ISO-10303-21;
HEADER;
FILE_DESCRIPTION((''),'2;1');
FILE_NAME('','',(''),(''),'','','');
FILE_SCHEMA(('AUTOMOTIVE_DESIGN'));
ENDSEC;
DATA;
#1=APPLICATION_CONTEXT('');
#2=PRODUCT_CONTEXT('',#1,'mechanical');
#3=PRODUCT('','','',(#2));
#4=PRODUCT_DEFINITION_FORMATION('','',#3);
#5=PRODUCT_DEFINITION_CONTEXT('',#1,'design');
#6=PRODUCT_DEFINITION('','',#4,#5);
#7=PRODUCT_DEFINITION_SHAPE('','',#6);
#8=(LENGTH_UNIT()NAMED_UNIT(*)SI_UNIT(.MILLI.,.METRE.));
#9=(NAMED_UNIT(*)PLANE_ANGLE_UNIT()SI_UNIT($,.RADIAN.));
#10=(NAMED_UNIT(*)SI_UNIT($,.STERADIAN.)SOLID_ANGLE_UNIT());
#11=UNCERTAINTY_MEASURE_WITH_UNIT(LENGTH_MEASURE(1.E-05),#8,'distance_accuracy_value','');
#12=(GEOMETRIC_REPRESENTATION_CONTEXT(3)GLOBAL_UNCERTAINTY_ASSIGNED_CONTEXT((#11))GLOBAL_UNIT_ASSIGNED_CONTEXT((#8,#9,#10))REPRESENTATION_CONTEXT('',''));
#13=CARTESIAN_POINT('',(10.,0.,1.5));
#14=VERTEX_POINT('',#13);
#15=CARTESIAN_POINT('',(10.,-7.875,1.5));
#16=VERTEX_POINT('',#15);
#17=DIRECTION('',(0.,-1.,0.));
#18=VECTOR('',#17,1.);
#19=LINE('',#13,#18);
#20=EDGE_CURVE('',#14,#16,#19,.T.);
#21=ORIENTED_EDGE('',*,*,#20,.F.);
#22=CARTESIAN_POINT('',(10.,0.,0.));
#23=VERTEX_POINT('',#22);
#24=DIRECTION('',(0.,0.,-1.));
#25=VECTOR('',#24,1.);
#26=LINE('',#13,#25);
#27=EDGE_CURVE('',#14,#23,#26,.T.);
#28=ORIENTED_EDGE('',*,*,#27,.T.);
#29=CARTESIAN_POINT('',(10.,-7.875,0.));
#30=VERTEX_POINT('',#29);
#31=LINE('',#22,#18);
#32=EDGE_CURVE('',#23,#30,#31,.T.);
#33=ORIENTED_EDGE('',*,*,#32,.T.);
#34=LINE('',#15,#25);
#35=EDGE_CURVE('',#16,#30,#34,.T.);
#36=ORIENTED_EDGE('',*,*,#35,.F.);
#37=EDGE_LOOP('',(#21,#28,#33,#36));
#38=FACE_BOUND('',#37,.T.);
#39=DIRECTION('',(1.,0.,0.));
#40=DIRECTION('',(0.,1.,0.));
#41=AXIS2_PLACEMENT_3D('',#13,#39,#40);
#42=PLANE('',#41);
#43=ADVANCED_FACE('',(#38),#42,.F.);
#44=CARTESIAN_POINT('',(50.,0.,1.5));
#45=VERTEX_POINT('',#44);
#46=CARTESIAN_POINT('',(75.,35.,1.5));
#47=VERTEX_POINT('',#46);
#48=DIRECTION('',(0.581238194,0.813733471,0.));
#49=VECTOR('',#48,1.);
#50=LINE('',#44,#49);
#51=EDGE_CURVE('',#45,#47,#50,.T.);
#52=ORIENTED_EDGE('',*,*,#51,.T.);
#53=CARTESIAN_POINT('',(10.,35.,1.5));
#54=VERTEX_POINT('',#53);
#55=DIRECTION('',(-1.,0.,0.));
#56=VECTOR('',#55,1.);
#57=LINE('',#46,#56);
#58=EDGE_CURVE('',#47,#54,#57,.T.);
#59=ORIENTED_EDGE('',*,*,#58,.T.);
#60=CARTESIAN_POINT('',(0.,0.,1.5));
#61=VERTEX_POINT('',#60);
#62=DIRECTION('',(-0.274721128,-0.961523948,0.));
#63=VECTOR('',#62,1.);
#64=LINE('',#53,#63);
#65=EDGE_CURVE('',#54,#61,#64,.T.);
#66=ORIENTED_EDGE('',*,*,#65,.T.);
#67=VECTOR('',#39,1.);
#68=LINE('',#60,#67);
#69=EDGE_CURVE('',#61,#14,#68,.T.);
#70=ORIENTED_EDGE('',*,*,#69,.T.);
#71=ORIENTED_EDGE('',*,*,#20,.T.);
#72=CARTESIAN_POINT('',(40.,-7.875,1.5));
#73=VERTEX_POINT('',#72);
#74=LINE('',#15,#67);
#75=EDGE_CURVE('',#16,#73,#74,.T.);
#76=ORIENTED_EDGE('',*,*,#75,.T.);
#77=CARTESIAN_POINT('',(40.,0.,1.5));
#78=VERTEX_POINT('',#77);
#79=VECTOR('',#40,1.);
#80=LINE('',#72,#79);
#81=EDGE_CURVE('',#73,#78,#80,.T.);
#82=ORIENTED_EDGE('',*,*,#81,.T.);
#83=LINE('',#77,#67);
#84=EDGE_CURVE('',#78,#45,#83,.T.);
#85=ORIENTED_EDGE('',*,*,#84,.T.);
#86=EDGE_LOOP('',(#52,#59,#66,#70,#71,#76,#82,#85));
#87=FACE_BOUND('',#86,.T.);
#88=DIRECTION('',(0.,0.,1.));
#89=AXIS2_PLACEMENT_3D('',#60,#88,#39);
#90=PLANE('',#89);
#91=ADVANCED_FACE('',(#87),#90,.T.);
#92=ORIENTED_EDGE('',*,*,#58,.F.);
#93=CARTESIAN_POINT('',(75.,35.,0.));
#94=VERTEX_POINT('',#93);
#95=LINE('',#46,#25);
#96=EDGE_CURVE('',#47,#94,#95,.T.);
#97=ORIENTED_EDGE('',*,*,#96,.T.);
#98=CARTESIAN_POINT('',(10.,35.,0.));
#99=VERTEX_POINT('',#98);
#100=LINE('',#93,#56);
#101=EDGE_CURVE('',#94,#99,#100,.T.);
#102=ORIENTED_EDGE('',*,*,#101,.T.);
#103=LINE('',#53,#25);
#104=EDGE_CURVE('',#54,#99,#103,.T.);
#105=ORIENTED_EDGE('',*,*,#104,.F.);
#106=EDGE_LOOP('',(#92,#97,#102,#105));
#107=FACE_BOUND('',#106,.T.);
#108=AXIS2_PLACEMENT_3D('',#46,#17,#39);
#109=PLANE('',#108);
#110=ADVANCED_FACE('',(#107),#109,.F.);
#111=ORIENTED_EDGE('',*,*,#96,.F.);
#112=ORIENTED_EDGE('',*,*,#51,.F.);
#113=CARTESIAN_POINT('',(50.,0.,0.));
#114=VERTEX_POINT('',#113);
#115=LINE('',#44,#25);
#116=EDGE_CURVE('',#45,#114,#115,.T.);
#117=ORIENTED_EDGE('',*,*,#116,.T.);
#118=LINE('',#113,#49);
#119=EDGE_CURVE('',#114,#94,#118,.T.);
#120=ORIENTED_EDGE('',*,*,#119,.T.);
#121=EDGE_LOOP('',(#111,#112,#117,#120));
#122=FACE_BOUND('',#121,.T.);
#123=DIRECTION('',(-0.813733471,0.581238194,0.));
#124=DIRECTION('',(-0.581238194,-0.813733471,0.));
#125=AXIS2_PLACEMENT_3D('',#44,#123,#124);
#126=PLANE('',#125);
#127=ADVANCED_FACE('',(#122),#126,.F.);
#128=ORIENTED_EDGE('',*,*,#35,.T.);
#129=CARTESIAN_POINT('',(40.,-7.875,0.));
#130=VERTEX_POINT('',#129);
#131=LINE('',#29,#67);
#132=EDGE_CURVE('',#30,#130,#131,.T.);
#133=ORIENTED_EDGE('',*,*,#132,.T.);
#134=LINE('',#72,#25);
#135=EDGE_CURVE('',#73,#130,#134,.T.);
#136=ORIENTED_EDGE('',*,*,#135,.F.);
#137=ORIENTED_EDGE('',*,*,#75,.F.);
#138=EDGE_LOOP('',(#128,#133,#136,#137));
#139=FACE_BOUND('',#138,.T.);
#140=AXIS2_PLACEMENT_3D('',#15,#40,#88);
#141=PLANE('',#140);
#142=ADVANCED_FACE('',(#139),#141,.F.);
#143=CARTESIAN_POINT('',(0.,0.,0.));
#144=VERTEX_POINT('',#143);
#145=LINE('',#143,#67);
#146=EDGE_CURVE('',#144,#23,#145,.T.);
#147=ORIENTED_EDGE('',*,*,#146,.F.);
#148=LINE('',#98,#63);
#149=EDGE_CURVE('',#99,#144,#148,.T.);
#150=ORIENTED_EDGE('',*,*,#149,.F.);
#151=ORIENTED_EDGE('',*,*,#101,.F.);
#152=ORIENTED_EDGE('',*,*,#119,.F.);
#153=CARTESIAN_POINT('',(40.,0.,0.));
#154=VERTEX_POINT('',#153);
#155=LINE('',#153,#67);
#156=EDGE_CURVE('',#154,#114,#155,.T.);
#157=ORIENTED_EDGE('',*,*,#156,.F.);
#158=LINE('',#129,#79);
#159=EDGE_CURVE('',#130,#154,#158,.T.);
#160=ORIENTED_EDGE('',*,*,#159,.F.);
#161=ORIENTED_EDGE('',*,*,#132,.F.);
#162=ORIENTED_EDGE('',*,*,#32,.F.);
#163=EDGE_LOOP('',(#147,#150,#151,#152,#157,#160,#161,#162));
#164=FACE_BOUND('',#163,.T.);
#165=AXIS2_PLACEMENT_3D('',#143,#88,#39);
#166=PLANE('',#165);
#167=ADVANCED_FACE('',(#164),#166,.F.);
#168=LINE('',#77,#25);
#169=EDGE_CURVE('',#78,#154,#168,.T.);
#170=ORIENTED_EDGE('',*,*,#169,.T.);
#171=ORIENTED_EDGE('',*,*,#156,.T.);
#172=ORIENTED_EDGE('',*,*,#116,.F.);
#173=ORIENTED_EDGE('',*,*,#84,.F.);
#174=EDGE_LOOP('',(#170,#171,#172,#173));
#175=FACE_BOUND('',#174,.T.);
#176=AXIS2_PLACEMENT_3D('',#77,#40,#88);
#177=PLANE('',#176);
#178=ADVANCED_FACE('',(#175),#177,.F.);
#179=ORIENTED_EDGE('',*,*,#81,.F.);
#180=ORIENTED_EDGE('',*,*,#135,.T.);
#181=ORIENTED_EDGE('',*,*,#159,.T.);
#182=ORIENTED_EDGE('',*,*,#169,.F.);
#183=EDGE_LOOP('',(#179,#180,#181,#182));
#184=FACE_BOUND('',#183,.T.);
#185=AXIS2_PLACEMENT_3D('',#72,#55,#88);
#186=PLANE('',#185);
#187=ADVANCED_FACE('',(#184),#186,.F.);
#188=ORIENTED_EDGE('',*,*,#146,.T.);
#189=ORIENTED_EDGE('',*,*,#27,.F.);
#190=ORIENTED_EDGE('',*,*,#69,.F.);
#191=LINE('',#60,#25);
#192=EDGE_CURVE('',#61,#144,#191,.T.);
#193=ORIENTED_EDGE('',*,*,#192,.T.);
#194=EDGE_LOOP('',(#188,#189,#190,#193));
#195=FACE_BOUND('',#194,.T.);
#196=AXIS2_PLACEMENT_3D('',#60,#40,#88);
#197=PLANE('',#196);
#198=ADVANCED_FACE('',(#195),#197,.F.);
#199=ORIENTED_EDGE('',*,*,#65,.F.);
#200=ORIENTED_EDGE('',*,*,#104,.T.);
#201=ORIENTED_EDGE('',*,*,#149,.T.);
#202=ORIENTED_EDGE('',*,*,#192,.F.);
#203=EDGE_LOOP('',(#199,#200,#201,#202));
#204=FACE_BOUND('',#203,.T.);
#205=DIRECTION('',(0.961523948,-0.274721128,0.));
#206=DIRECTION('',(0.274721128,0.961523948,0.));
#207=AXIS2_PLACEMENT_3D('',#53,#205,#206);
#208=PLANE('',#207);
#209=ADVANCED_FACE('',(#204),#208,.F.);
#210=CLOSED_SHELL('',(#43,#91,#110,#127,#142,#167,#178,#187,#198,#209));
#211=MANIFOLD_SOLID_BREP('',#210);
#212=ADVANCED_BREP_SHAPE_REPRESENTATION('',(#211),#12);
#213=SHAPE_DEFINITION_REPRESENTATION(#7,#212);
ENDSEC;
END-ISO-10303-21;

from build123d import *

# Parameters (mm, degrees)
BOSS_EXTRUDE1_DEPTH = 1.5


with BuildPart() as part:
    # Sketch1 → Boss-Extrude1 (new body)
    with BuildSketch(Plane.XY):
        Polygon((0, 0), (10, 0), (10, -7.875), (40, -7.875), (40, 0), (50, 0), (75, 35), (10, 35), align=None)
    extrude(amount=BOSS_EXTRUDE1_DEPTH)


solid = part.part
